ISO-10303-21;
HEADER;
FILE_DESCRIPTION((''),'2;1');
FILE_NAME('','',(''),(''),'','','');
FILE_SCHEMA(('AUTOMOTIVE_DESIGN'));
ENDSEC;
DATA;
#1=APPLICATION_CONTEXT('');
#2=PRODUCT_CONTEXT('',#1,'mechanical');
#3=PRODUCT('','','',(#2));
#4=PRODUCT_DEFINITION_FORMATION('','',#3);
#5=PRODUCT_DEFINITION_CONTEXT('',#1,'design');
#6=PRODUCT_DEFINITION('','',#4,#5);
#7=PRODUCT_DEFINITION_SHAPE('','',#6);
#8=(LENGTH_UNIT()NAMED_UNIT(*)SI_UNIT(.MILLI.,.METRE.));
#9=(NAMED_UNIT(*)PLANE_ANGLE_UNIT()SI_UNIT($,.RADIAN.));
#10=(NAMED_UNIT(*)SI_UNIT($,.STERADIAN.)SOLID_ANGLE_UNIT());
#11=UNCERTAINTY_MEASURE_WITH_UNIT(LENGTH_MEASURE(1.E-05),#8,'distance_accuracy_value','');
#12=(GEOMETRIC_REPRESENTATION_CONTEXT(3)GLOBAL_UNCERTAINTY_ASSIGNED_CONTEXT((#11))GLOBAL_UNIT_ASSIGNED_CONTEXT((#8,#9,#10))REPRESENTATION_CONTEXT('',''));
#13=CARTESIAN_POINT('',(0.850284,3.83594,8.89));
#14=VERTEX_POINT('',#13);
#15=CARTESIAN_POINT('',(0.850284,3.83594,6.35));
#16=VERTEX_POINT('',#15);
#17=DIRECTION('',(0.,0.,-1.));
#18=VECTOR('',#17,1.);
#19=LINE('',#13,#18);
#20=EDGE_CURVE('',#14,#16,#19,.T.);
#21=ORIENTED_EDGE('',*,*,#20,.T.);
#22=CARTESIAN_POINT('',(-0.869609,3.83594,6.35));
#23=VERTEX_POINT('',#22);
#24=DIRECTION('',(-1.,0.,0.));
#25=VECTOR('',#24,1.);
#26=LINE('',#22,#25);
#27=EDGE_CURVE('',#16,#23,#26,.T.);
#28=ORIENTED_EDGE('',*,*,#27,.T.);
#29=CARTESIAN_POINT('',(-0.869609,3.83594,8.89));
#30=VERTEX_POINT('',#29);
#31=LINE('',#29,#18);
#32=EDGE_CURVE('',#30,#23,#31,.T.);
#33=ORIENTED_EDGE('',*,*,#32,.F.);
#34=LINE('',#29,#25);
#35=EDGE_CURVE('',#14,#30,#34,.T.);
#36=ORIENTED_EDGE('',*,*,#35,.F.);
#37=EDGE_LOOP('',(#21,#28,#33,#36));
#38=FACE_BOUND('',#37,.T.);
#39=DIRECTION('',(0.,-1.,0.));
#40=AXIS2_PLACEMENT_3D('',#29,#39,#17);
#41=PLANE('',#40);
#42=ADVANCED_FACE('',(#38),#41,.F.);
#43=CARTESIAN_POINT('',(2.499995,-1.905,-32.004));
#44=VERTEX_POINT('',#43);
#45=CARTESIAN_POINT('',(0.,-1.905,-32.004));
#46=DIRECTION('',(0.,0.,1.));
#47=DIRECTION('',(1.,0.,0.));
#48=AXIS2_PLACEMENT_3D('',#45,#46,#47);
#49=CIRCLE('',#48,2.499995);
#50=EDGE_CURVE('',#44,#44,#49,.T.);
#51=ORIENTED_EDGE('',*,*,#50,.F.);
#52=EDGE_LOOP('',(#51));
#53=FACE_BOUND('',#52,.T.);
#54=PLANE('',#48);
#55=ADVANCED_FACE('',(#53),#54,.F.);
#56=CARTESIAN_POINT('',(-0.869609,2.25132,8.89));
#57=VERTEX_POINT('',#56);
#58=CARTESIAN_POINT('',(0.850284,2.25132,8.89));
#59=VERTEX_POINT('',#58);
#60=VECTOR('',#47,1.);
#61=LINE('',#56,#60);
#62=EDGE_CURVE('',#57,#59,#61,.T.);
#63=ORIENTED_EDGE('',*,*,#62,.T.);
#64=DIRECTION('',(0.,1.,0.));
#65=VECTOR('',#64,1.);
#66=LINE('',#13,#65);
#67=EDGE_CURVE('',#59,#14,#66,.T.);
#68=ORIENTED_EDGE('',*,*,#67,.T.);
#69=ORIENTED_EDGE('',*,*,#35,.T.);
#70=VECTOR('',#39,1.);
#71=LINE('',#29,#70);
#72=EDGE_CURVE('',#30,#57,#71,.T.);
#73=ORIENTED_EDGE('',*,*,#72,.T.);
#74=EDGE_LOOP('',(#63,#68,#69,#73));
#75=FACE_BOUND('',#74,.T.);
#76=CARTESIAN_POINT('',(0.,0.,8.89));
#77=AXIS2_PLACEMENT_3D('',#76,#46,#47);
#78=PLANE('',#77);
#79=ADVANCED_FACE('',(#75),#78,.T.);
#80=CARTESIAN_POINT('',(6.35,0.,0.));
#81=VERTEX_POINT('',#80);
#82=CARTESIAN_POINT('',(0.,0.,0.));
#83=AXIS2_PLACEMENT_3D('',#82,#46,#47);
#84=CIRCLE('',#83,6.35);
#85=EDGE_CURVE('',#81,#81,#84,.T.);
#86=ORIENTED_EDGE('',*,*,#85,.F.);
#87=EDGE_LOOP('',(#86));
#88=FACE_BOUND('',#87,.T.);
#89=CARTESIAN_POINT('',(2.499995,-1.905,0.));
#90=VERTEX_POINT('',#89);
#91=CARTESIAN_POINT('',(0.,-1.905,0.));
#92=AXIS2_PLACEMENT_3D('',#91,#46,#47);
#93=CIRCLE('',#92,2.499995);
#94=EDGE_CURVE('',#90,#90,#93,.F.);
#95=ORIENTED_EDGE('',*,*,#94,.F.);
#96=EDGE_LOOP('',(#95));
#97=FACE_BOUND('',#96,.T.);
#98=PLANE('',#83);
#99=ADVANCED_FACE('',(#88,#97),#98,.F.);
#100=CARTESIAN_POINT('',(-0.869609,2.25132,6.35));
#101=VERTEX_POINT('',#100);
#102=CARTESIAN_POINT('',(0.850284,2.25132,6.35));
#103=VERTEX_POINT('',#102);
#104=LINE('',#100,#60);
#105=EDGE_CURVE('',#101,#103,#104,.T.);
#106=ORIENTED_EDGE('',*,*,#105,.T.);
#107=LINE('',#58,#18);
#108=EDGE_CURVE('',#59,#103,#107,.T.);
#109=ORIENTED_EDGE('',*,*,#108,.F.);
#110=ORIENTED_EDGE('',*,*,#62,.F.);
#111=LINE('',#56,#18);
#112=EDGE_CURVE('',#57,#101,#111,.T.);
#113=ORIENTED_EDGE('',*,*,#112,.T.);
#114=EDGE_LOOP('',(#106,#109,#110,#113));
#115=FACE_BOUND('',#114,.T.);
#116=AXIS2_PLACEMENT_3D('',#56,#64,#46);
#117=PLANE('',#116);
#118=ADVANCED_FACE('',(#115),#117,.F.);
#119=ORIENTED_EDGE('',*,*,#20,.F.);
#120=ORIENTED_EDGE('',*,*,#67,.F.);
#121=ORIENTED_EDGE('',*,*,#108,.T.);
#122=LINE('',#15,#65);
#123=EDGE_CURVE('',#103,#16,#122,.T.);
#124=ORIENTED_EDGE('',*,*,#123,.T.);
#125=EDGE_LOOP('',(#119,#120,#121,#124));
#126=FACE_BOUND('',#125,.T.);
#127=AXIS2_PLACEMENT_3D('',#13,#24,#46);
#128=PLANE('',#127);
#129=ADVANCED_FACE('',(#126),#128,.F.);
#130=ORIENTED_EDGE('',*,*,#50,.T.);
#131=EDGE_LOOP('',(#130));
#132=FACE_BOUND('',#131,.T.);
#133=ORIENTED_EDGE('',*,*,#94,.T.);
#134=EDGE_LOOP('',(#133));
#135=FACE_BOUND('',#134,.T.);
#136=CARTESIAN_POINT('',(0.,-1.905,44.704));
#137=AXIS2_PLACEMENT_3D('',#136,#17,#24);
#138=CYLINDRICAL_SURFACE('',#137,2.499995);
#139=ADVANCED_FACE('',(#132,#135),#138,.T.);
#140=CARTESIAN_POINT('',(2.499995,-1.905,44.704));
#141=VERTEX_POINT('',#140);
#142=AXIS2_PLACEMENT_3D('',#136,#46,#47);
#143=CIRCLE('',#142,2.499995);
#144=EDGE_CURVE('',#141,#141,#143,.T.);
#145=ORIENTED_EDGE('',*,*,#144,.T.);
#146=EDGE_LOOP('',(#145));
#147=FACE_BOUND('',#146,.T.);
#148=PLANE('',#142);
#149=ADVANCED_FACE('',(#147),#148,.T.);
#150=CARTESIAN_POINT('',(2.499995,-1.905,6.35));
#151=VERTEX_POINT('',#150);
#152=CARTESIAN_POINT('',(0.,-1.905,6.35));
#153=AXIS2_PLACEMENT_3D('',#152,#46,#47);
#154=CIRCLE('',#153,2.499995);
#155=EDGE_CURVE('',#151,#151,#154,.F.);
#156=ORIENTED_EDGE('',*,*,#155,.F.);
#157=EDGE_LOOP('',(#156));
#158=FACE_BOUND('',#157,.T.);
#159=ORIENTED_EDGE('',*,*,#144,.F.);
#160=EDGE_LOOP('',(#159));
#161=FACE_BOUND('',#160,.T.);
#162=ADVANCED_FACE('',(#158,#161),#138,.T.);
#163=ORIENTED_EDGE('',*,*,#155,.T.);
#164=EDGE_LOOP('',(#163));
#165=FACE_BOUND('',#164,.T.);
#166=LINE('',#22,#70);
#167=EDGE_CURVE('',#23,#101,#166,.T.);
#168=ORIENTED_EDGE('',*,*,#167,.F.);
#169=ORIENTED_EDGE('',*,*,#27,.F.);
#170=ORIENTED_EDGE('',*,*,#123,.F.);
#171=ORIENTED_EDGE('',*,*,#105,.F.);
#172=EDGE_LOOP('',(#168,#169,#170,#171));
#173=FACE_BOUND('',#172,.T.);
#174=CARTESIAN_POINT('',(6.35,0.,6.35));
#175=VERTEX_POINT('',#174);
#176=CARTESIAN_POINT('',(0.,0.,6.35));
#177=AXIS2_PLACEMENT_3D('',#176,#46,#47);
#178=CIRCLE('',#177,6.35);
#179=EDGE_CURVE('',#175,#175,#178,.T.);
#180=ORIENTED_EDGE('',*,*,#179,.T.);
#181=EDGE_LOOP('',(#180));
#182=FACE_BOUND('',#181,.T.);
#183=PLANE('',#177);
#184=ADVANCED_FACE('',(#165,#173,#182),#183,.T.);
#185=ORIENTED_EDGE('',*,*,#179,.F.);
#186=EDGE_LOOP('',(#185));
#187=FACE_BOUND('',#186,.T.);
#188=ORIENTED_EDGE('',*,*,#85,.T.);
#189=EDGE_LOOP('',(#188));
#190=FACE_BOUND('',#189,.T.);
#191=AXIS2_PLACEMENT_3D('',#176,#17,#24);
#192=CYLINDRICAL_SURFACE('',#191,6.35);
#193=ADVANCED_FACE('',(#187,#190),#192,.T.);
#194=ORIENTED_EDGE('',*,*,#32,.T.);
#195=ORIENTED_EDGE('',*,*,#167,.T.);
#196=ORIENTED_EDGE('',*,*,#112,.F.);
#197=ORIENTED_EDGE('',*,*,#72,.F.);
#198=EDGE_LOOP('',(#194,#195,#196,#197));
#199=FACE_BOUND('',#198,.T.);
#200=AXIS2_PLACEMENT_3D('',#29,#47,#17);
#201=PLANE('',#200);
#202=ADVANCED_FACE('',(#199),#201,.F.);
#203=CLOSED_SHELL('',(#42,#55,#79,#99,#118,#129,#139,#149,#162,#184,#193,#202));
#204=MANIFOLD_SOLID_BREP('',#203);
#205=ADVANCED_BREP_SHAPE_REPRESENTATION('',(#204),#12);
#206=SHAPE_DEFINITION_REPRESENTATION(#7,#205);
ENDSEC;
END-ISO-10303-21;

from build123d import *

# Parameters (mm, degrees)
SKETCH1_R           = 6.35
BOSS_EXTRUDE1_DEPTH = 6.35
SKETCH2_W           = 1.71989263
SKETCH2_H           = 1.584620177
BOSS_EXTRUDE2_DEPTH = 2.54
SKETCH3_R           = 2.499995
BOSS_EXTRUDE3_DEPTH = 38.354


with BuildPart() as part:
    # Sketch1 → Boss-Extrude1 (new body)
    with BuildSketch(Plane.XY):
        Circle(SKETCH1_R)
    extrude(amount=BOSS_EXTRUDE1_DEPTH)

    # Sketch2 → Boss-Extrude2 (add)
    with BuildSketch(Plane.XY.offset(6.35)):
        with Locations((-0.009662318, 3.043630217)):
            Rectangle(SKETCH2_W, SKETCH2_H)
    extrude(amount=BOSS_EXTRUDE2_DEPTH)

    # Sketch3 → Boss-Extrude3 (add, symmetric)
    with BuildSketch(Plane.XY.offset(6.35)):
        with Locations((0, -1.905)):
            Circle(SKETCH3_R)
    extrude(amount=BOSS_EXTRUDE3_DEPTH, both=True)


solid = part.part
